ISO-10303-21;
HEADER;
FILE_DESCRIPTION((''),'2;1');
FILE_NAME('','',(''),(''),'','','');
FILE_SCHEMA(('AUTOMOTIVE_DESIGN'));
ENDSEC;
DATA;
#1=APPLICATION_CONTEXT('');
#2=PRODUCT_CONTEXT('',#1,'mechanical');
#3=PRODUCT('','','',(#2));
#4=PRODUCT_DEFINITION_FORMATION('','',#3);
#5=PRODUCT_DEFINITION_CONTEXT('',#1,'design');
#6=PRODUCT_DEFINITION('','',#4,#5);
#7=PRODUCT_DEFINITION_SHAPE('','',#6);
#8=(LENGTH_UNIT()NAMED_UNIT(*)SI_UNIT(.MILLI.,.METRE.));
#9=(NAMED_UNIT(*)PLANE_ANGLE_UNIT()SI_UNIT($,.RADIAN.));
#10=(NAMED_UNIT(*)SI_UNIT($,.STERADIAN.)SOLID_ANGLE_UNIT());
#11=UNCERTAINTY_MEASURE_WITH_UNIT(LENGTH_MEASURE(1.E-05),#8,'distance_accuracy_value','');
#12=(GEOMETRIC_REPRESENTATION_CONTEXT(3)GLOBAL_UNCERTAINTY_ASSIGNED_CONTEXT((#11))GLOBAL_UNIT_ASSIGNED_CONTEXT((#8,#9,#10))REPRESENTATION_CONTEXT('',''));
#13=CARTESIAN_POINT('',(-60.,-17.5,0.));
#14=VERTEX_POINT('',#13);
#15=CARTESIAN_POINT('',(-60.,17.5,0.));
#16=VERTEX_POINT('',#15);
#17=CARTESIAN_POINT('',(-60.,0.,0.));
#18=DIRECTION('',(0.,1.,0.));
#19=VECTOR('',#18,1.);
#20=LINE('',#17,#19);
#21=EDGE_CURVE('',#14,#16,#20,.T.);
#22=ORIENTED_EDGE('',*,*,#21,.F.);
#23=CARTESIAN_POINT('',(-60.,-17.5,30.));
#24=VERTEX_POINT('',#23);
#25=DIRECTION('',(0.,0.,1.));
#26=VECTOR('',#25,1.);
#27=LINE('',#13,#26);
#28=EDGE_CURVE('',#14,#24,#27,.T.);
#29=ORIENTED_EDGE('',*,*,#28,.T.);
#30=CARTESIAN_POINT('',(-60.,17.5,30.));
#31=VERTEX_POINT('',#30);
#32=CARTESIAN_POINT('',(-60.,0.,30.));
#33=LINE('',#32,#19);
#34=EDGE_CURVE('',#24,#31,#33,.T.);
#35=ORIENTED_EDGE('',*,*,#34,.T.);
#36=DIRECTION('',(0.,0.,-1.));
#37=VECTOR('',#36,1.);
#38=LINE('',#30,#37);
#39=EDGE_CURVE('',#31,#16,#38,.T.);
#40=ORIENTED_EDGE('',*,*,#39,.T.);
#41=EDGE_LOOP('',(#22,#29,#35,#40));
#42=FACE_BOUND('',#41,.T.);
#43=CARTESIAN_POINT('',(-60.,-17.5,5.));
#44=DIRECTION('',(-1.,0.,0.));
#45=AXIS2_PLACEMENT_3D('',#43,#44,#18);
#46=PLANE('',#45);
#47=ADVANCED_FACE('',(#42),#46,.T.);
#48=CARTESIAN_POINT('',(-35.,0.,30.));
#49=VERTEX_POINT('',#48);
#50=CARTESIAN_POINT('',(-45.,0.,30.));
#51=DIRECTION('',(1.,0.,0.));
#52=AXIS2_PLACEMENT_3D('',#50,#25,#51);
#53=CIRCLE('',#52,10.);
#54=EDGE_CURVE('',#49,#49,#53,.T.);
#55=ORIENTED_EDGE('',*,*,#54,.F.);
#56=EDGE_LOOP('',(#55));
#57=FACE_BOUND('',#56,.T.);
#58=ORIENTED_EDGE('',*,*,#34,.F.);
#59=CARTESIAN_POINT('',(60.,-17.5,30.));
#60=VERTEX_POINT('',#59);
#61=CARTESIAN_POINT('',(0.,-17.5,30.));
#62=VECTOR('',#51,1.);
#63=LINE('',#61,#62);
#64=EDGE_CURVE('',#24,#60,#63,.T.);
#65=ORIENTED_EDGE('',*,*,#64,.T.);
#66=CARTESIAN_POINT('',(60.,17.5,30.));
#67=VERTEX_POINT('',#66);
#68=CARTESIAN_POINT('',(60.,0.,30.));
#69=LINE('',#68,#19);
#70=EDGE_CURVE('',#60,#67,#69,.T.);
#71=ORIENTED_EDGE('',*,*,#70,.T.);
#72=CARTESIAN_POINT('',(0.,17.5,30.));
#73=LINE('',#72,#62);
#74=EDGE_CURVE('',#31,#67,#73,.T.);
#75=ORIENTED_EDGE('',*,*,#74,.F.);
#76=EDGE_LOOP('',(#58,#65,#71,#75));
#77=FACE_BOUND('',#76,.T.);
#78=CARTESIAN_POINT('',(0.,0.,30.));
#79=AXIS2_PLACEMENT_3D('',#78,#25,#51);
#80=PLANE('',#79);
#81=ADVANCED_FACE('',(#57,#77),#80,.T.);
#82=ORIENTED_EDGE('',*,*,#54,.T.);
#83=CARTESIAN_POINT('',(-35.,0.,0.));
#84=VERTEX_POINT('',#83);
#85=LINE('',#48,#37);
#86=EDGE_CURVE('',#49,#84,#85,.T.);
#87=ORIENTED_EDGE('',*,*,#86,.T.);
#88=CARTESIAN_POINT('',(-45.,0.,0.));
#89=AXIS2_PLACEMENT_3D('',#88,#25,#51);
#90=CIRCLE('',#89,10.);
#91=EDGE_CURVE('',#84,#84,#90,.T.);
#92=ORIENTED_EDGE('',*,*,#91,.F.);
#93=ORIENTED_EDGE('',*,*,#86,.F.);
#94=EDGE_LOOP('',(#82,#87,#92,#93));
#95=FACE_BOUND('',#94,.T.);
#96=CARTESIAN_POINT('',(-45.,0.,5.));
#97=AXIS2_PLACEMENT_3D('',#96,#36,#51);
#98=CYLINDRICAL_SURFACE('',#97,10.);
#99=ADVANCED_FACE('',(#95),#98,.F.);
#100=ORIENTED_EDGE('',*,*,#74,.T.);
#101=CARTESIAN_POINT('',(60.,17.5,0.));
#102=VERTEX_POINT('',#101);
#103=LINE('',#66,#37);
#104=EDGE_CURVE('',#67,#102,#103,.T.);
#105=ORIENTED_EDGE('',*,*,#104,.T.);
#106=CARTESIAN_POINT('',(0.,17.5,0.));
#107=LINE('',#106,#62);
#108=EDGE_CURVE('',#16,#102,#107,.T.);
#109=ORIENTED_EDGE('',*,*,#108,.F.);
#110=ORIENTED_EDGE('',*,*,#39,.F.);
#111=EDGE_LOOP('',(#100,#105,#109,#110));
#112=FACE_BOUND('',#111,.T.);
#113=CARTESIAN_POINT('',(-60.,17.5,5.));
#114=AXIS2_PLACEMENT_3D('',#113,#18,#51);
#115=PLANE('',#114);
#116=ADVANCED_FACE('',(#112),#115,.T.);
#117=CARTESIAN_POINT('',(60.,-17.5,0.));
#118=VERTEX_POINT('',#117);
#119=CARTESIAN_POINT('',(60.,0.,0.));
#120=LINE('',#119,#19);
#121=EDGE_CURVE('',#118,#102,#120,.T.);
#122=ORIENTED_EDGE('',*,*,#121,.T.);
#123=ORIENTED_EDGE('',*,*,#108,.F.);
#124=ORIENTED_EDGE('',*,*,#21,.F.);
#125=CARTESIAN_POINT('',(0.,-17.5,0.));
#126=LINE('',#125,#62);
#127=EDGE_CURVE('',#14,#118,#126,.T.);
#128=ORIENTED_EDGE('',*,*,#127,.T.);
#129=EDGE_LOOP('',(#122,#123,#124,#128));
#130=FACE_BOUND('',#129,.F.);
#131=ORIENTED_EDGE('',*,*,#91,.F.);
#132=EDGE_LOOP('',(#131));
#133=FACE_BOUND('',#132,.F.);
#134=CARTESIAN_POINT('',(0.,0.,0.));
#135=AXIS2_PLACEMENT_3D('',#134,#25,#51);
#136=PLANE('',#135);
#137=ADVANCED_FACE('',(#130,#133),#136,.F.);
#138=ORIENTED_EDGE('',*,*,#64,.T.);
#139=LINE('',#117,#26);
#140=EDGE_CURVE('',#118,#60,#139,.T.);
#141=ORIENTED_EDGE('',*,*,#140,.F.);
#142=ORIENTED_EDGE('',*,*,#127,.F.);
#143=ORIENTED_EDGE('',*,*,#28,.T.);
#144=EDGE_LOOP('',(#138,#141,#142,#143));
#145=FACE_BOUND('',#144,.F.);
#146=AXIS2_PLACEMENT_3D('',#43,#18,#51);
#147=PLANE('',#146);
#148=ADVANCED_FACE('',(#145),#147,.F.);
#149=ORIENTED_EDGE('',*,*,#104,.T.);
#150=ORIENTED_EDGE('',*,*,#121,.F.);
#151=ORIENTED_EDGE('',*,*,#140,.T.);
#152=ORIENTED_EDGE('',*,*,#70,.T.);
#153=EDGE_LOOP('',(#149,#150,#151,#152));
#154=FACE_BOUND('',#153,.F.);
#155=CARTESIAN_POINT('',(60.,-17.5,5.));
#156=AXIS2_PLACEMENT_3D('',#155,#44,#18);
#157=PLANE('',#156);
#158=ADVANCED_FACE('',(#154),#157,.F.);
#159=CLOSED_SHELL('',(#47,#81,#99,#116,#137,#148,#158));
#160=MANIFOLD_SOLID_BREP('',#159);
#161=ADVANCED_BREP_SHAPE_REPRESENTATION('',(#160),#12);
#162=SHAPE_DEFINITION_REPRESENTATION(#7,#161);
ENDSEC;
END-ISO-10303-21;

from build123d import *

# Parameters (mm, degrees)
F0_W      = 120
F0_H      = 35
F0_R      = 10
F1_DEPTH  = 5
F1_FACE_W = 120
F1_FACE_H = 35
F1_FACE_R = 10
F2_DEPTH  = 25


with BuildPart() as f1:
    # F0 (on Top) → F1 (new body)
    with BuildSketch(Plane.XY):
        Rectangle(F0_W, F0_H)
        with Locations((-45, 0)):
            Circle(F0_R, mode=Mode.SUBTRACT)
    extrude(amount=F1_DEPTH)

    # F1_face (on face) → F2 (join)
    with BuildSketch(Plane(origin=(3.638123, 0, 5), x_dir=(1, 0, 0), z_dir=(0, 0, 1))):
        with Locations((-3.638123, 0)):
            Rectangle(F1_FACE_W, F1_FACE_H)
        with Locations((-48.638123, 0)):
            Circle(F1_FACE_R, mode=Mode.SUBTRACT)
    extrude(amount=F2_DEPTH)


solid = f1.part
